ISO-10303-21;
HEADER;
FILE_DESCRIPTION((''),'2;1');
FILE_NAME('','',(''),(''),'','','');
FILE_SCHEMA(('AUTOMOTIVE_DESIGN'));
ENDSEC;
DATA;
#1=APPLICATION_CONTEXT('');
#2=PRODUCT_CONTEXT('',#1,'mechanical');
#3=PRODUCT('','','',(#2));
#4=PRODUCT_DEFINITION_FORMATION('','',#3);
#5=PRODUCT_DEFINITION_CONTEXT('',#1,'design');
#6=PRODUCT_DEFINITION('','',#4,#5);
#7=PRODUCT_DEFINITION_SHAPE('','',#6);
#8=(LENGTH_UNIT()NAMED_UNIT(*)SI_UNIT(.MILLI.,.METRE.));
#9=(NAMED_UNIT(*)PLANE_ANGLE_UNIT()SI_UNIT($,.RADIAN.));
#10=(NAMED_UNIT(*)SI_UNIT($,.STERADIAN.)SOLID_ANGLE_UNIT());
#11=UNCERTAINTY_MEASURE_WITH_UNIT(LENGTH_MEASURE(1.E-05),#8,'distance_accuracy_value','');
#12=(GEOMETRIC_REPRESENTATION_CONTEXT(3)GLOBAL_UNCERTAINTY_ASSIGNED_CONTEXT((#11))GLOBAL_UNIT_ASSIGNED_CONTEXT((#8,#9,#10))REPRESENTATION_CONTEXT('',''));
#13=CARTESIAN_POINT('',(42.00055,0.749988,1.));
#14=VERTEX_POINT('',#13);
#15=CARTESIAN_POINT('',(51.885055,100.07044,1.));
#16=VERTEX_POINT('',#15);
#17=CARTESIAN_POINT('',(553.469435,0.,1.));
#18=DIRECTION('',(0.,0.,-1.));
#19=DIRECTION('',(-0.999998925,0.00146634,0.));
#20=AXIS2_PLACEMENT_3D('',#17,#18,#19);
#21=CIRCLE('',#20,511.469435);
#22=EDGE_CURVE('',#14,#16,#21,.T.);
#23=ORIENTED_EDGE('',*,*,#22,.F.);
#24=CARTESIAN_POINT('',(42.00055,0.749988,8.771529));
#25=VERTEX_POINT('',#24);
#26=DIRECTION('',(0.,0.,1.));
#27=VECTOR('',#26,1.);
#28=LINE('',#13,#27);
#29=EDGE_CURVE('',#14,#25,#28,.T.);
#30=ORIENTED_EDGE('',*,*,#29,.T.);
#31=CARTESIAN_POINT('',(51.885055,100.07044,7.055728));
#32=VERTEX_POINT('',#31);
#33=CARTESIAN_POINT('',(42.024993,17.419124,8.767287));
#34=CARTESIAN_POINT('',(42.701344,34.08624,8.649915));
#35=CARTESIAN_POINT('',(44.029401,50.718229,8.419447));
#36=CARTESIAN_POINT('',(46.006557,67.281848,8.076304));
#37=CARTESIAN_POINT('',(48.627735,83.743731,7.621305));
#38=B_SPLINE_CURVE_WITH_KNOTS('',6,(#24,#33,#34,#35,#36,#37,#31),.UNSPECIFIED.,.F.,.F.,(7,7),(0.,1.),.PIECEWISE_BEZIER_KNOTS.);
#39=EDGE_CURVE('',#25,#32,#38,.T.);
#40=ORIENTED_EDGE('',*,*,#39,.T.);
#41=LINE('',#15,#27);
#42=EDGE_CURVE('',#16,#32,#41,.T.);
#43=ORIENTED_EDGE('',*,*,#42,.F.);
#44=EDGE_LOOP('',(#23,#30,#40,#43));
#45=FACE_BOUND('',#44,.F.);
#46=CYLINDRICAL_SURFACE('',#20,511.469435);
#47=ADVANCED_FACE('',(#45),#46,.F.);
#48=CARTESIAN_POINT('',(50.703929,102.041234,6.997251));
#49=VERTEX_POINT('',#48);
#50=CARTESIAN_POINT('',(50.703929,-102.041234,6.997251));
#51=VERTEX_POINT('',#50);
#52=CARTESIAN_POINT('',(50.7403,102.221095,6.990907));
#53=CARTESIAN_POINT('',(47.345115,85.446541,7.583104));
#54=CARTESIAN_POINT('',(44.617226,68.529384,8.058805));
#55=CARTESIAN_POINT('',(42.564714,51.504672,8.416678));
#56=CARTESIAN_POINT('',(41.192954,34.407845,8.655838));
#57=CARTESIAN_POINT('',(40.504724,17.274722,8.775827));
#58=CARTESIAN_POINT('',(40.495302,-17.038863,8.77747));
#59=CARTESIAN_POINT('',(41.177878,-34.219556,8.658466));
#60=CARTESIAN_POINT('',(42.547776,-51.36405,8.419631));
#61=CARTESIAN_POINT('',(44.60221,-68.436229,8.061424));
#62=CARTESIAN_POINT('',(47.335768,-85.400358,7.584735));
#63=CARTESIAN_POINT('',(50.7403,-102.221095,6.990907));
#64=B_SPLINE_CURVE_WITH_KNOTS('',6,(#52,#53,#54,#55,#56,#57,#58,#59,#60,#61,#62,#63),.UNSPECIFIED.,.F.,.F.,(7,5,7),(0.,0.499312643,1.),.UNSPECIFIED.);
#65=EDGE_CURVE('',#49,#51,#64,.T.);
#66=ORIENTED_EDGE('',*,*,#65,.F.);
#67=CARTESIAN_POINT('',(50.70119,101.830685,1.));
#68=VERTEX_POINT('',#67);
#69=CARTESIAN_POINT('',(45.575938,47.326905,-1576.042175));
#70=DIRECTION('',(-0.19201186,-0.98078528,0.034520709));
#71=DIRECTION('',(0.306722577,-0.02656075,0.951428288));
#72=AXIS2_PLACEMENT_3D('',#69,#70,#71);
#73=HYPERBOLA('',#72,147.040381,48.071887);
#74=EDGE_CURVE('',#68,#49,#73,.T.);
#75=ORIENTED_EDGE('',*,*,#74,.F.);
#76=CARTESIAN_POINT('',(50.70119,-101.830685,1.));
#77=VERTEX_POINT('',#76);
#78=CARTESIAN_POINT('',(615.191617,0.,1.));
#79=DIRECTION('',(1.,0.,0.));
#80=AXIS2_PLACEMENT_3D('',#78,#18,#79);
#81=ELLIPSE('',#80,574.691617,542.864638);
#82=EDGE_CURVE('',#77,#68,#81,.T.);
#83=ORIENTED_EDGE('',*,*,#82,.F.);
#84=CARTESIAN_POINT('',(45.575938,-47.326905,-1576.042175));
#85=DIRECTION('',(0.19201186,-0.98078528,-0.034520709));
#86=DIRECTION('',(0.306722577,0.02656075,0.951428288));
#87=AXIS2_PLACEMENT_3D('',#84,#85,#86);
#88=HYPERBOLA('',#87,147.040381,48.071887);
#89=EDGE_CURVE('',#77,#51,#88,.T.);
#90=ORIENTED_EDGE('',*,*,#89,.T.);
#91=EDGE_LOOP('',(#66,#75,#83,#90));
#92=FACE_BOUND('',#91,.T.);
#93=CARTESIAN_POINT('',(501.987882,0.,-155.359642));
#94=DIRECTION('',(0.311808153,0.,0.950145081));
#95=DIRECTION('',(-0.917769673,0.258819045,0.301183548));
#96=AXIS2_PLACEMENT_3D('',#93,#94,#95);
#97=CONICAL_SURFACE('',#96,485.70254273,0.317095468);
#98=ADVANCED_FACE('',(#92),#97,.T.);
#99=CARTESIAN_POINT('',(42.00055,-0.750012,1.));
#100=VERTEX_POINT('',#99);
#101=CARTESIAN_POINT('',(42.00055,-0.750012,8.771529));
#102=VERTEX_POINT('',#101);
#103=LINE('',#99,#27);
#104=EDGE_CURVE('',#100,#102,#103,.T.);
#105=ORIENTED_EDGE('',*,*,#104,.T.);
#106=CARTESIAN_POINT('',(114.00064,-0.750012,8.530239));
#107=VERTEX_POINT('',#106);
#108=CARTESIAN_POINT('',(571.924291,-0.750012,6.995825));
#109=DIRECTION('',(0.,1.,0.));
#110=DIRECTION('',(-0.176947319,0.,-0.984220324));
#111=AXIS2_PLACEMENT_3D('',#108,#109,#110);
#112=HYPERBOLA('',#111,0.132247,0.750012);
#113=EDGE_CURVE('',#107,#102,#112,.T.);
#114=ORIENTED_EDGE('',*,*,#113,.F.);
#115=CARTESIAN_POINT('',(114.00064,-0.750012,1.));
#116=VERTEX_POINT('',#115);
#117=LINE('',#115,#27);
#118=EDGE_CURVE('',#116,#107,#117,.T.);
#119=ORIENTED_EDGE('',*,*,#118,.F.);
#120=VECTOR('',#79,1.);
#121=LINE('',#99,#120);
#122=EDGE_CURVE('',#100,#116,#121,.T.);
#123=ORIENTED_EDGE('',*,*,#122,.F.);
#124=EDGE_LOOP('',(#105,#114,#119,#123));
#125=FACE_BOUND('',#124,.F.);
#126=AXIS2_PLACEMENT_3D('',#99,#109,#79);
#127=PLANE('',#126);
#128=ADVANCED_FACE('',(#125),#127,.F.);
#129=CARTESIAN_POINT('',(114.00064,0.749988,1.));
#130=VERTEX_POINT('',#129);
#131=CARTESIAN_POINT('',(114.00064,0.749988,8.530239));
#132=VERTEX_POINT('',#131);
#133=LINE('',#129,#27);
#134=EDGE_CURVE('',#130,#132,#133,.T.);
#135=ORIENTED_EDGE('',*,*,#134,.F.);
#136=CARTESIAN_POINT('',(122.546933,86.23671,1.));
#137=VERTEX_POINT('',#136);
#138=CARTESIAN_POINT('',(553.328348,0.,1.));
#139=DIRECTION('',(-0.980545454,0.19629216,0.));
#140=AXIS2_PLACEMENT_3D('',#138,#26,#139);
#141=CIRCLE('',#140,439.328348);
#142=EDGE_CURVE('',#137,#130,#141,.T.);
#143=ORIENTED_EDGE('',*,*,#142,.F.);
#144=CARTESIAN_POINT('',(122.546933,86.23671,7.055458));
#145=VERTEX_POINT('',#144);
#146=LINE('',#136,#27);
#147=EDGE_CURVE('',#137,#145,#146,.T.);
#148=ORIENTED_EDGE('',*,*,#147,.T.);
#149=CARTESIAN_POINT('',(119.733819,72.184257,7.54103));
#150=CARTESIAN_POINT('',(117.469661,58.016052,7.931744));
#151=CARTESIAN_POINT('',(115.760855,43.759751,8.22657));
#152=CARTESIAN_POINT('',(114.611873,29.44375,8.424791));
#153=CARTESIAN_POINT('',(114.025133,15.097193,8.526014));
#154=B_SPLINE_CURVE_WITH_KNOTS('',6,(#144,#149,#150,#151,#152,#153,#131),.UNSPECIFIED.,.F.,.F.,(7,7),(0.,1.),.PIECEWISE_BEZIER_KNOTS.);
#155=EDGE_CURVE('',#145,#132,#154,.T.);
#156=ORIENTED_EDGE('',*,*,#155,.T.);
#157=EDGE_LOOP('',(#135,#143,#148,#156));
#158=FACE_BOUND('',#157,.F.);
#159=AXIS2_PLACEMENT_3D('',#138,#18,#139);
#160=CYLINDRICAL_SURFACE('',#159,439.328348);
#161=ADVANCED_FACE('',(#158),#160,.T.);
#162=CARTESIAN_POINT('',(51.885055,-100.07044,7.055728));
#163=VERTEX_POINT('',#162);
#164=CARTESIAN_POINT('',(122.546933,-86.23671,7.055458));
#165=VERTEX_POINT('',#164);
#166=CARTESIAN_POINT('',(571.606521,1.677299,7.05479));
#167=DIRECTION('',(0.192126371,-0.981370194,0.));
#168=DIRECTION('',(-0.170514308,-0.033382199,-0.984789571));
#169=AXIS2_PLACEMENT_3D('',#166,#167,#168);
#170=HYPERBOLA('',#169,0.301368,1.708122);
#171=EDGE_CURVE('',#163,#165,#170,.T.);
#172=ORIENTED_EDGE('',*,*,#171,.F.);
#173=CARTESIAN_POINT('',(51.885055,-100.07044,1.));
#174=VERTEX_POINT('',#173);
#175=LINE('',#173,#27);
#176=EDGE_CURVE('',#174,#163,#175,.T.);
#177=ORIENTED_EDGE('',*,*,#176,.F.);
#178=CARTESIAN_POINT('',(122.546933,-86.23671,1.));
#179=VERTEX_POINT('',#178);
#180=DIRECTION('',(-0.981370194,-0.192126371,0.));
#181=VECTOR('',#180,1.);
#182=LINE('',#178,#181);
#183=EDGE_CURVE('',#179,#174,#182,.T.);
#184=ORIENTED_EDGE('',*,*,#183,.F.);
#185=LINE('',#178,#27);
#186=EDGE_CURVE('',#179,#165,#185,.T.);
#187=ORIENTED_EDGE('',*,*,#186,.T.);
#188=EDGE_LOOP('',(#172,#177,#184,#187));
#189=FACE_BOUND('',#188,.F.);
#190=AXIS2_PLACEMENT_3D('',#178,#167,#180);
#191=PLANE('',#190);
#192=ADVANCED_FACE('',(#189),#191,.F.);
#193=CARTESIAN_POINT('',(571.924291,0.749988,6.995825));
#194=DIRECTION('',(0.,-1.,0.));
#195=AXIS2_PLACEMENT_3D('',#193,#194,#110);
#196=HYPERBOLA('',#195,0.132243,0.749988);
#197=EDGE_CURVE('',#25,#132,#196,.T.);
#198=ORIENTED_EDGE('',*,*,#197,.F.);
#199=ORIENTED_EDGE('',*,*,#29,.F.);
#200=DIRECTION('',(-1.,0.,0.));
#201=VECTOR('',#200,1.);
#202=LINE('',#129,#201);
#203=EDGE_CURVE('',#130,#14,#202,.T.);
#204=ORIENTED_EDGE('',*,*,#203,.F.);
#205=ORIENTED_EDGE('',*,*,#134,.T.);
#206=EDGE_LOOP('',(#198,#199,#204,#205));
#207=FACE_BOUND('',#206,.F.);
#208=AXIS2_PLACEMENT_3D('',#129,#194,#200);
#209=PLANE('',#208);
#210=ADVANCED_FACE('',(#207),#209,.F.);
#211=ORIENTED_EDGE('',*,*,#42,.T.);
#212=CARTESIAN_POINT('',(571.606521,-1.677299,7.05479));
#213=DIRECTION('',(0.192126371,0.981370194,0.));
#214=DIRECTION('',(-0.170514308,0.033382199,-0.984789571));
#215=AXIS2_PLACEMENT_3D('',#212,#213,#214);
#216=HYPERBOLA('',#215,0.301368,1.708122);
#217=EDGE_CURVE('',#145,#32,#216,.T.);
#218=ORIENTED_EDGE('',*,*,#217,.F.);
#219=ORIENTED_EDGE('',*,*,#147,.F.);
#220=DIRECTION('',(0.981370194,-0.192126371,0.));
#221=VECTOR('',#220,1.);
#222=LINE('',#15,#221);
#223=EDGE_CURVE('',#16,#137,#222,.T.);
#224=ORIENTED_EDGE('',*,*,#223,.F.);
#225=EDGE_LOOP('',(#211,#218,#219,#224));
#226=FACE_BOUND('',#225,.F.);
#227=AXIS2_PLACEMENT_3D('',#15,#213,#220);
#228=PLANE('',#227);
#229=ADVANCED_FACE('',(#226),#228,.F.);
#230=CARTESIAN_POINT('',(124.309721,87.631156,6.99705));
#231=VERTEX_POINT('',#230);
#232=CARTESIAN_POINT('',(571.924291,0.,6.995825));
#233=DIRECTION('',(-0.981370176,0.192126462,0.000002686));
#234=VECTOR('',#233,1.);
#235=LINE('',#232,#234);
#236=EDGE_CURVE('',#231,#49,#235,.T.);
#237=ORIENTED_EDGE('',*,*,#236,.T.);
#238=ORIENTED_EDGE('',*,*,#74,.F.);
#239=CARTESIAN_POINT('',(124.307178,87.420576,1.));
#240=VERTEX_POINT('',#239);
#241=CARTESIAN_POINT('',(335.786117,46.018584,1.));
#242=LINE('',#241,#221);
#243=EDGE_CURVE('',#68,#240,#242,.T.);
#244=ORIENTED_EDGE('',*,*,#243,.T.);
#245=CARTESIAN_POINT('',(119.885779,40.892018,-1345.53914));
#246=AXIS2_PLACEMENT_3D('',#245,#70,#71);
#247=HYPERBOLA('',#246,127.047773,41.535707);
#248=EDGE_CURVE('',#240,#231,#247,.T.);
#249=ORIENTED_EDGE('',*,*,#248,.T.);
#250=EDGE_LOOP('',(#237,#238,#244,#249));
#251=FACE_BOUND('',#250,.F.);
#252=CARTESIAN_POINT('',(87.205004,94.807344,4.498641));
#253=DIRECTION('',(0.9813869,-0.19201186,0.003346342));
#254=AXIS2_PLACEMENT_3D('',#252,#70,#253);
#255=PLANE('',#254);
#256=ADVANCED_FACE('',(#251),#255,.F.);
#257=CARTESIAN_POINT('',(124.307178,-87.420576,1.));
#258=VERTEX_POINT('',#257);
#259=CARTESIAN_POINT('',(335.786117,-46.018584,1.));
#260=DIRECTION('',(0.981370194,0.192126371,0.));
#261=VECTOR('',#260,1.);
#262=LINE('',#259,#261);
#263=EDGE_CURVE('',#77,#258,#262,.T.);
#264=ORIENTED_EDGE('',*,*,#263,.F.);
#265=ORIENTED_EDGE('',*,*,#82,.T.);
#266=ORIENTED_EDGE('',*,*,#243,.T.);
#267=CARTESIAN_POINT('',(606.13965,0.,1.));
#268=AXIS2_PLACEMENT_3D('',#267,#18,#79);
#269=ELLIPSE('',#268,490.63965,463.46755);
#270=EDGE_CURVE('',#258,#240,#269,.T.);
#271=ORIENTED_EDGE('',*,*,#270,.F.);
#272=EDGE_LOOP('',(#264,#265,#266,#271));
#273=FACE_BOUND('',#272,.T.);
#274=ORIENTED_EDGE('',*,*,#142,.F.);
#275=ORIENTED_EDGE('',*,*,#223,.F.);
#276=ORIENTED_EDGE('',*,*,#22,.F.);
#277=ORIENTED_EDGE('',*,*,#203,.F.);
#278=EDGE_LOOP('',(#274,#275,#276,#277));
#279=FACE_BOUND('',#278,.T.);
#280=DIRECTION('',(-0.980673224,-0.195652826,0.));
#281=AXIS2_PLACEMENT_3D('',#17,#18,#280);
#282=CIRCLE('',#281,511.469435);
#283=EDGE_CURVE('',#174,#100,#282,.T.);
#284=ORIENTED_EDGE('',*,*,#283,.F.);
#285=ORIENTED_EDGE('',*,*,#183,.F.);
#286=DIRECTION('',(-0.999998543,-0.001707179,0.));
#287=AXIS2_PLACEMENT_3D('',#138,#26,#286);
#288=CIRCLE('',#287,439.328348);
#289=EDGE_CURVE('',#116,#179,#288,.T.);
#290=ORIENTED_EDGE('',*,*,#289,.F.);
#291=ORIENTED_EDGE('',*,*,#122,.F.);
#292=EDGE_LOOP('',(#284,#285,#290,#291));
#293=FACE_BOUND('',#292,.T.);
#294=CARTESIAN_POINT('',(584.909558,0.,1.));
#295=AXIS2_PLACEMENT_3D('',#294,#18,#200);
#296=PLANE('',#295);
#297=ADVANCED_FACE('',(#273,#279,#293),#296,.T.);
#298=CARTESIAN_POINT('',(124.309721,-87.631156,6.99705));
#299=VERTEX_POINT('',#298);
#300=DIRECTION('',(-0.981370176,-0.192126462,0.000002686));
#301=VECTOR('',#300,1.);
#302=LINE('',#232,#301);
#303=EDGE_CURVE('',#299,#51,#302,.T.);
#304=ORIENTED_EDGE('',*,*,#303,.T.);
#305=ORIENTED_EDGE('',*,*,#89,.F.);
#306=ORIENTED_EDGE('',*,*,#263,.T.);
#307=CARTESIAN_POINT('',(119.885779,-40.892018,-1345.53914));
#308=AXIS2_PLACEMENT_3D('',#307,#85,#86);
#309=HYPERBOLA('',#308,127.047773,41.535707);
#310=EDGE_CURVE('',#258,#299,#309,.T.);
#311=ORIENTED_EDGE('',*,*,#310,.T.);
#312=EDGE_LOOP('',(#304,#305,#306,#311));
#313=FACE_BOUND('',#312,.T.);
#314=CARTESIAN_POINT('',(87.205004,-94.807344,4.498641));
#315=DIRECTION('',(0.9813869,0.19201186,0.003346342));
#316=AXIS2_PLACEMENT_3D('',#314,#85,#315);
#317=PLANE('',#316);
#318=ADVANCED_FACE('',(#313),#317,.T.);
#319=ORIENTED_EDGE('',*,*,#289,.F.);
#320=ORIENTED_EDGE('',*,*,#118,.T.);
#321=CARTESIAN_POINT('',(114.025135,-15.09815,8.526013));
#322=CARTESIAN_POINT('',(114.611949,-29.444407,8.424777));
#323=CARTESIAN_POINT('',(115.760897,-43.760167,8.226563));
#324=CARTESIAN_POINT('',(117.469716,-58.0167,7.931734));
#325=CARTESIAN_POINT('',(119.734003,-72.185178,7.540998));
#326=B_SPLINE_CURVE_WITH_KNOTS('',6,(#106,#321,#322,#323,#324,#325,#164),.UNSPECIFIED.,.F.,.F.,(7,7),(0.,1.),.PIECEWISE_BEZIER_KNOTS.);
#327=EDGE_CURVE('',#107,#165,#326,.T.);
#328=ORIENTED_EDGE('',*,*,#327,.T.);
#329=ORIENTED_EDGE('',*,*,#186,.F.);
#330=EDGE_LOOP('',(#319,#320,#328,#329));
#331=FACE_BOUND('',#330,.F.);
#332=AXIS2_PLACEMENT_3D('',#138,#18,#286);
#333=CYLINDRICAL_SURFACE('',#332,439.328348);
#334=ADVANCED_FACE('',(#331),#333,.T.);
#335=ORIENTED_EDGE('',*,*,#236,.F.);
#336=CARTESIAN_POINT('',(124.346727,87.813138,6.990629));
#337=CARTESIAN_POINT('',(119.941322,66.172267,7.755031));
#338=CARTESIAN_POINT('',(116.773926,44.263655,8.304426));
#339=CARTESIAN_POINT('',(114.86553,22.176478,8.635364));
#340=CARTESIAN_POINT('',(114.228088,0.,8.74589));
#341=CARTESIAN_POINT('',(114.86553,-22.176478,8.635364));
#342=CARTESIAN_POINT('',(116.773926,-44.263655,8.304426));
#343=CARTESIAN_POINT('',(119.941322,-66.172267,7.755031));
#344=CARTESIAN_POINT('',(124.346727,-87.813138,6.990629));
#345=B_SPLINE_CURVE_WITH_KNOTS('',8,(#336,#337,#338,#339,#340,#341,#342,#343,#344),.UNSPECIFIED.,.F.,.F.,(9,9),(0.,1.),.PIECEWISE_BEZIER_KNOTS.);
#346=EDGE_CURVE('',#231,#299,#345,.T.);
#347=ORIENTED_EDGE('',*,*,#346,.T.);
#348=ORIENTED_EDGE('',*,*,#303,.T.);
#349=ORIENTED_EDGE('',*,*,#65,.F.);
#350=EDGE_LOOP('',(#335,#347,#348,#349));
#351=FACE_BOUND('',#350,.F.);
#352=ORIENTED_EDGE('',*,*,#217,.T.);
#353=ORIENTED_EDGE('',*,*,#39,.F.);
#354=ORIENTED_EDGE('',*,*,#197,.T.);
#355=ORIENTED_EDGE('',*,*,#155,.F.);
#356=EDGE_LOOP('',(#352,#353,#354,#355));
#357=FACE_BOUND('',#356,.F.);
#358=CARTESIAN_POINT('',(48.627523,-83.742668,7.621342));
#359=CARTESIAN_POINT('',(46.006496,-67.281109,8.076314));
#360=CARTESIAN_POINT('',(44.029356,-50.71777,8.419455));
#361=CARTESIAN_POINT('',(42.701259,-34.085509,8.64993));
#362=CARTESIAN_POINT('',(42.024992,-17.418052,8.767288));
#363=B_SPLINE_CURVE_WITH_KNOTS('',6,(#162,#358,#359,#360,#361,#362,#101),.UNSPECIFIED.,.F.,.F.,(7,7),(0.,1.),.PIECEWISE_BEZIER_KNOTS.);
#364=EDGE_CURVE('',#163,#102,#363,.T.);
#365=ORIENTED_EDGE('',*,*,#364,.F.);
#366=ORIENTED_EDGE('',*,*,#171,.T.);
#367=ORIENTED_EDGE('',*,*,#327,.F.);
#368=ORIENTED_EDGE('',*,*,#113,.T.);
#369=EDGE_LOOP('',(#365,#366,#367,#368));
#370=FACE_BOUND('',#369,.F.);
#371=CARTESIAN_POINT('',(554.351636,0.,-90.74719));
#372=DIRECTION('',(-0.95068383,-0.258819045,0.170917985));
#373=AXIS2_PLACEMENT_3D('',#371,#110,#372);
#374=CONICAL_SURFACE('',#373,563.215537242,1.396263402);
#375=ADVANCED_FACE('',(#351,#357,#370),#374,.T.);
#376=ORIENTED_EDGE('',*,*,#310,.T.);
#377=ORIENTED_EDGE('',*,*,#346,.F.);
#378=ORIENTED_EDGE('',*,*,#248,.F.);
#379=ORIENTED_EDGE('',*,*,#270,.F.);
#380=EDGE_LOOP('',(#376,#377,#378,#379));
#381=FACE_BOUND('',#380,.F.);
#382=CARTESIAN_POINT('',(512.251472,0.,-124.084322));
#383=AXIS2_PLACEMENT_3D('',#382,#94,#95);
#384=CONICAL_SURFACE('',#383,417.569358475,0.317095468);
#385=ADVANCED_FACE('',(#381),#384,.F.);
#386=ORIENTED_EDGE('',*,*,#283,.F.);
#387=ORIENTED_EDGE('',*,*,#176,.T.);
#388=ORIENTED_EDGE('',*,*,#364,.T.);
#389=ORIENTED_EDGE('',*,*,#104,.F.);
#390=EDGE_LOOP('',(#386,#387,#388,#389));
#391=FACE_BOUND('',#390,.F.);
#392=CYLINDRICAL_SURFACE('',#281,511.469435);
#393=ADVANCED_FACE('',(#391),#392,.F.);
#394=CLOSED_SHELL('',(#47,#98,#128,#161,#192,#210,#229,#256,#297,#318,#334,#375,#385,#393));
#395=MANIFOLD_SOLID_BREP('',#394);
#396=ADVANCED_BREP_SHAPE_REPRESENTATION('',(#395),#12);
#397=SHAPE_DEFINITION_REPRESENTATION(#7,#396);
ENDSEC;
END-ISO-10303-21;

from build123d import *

# Parameters (mm, degrees)
F1_ANGLE_BACK = 11.25
F1_ANGLE      = 22.5
F2_W          = 45.7320638196
F2_H          = 22.3794019495
F2_W_2        = 176.9668050066
F2_H_2        = 15.0131394978
F2_W_3        = 53.8554313377
F4_W          = 51.5799054205
F4_H          = 20.0616745278
F5_ANGLE_BACK = 15
F5_ANGLE      = 30
F7_ANGLE_BACK = 15
F7_ANGLE      = 30
F9_DEPTH      = 25


with BuildPart() as f1:
    # F0 (on Front) → F1 (revolve)
    with BuildSketch(Plane.XZ, mode=Mode.PRIVATE) as f1_sk:
        Polygon((0.030159233, 10.9122785955), (0, 1.9123291278), (155.9991241063, 1.3895690886), (156.0292833394, 10.3895185563), align=None)
        Polygon((155.9991241063, 1.3895690886), (0, 1.9123291278), (51.0110905605, -7.2586618498), (155.9689648733, -7.610380379), align=None)
        Polygon((51.0110905605, -7.2586618498), (0, 1.9123291278), (-0.030159233, -7.0876203399), align=None)
    revolve(f1_sk.sketch.rotate(Axis((561.8991869329, 0, -48.7660320647), (-0.176947319, 0, -0.9842203241)), -F1_ANGLE_BACK), axis=Axis((561.8991869329, 0, -48.7660320647), (-0.176947319, 0, -0.9842203241)), revolution_arc=F1_ANGLE)

    # F2 (on Front) → F3 (revolve, cut)
    with BuildSketch(Plane.XZ):
        with Locations((16.1339680902, 18.1897009747)):
            Rectangle(F2_W, F2_H)
        with Locations((82.3720288345, -6.5065697489)):
            Rectangle(F2_W_2, F2_H_2)
        with Locations((143.9277156689, 18.1897009747)):
            Rectangle(F2_W_3, F2_H)
    revolve(axis=Axis((584.9095582962, 0, -6.0216095299), (0, 0, -1)), mode=Mode.SUBTRACT)

    # F4 (on Front) → F5 (revolve, cut)
    with BuildSketch(Plane.XZ, mode=Mode.PRIVATE) as f5_sk:
        Polygon((40.5, 12.6220593229), (-10.8453575522, 12.6220593229), (-10.8453575522, -3.9136288688), (17.7529230866, -3.9136288688), (40.5, -3.9136288688), align=None)
        with Locations((141.2899527103, 6.1172083952)):
            Rectangle(F4_W, F4_H)
    revolve(f5_sk.sketch.rotate(Axis((513.9181956959, 0, -119.0054643705), (0.3118081533, 0, 0.9501450813)), -F5_ANGLE_BACK), axis=Axis((513.9181956959, 0, -119.0054643705), (0.3118081533, 0, 0.9501450813)), revolution_arc=F5_ANGLE, mode=Mode.SUBTRACT)

    # F6 (on Front) → F7 (revolve, cut)
    with BuildSketch(Plane.XZ, mode=Mode.PRIVATE) as f7_sk:
        Polygon((16.4002180099, 17.1660631895), (0.0234571812, 8.9122898249), (156.0225812876, 8.3895297857), (144.173130393, 14.4683616236), align=None)
    revolve(f7_sk.sketch.rotate(Axis((561.8991869329, 0, -48.7660320647), (-0.176947319, 0, -0.9842203241)), -F7_ANGLE_BACK), axis=Axis((561.8991869329, 0, -48.7660320647), (-0.176947319, 0, -0.9842203241)), revolution_arc=F7_ANGLE, mode=Mode.SUBTRACT)

    # F8 (on face) → F9 (cut)
    with BuildSketch(Plane(origin=(0, 0, 1), x_dir=(1, 0, 0), z_dir=(0, 0, -1))):
        with BuildLine():
            Line((122.5469334165, 86.236710341), (51.8850553165, 100.0704402238))
            ThreePointArc((51.8850553165, 100.0704402238), (44.5142638986, 50.6519175795), (42.0005498992, 0.7500119204))
            Line((42.0005498992, 0.7500119204), (114.0006402026, 0.7500119204))
            ThreePointArc((114.0006402026, 0.7500119204), (116.1790999014, 43.7027715868), (122.5469334165, 86.236710341))
        make_face()
        with BuildLine():
            Line((114.0006401619, -0.7499880796), (42.0005498643, -0.7499880796))
            ThreePointArc((42.0005498643, -0.7499880796), (44.5142627181, -50.6519057176), (51.8850553165, -100.0704402238))
            Line((51.8850553165, -100.0704402238), (122.5469334165, -86.236710341))
            ThreePointArc((122.5469334165, -86.236710341), (116.1790987156, -43.7027597256), (114.0006401619, -0.7499880796))
        make_face()
    extrude(amount=-F9_DEPTH, mode=Mode.SUBTRACT)


solid = f1.part
